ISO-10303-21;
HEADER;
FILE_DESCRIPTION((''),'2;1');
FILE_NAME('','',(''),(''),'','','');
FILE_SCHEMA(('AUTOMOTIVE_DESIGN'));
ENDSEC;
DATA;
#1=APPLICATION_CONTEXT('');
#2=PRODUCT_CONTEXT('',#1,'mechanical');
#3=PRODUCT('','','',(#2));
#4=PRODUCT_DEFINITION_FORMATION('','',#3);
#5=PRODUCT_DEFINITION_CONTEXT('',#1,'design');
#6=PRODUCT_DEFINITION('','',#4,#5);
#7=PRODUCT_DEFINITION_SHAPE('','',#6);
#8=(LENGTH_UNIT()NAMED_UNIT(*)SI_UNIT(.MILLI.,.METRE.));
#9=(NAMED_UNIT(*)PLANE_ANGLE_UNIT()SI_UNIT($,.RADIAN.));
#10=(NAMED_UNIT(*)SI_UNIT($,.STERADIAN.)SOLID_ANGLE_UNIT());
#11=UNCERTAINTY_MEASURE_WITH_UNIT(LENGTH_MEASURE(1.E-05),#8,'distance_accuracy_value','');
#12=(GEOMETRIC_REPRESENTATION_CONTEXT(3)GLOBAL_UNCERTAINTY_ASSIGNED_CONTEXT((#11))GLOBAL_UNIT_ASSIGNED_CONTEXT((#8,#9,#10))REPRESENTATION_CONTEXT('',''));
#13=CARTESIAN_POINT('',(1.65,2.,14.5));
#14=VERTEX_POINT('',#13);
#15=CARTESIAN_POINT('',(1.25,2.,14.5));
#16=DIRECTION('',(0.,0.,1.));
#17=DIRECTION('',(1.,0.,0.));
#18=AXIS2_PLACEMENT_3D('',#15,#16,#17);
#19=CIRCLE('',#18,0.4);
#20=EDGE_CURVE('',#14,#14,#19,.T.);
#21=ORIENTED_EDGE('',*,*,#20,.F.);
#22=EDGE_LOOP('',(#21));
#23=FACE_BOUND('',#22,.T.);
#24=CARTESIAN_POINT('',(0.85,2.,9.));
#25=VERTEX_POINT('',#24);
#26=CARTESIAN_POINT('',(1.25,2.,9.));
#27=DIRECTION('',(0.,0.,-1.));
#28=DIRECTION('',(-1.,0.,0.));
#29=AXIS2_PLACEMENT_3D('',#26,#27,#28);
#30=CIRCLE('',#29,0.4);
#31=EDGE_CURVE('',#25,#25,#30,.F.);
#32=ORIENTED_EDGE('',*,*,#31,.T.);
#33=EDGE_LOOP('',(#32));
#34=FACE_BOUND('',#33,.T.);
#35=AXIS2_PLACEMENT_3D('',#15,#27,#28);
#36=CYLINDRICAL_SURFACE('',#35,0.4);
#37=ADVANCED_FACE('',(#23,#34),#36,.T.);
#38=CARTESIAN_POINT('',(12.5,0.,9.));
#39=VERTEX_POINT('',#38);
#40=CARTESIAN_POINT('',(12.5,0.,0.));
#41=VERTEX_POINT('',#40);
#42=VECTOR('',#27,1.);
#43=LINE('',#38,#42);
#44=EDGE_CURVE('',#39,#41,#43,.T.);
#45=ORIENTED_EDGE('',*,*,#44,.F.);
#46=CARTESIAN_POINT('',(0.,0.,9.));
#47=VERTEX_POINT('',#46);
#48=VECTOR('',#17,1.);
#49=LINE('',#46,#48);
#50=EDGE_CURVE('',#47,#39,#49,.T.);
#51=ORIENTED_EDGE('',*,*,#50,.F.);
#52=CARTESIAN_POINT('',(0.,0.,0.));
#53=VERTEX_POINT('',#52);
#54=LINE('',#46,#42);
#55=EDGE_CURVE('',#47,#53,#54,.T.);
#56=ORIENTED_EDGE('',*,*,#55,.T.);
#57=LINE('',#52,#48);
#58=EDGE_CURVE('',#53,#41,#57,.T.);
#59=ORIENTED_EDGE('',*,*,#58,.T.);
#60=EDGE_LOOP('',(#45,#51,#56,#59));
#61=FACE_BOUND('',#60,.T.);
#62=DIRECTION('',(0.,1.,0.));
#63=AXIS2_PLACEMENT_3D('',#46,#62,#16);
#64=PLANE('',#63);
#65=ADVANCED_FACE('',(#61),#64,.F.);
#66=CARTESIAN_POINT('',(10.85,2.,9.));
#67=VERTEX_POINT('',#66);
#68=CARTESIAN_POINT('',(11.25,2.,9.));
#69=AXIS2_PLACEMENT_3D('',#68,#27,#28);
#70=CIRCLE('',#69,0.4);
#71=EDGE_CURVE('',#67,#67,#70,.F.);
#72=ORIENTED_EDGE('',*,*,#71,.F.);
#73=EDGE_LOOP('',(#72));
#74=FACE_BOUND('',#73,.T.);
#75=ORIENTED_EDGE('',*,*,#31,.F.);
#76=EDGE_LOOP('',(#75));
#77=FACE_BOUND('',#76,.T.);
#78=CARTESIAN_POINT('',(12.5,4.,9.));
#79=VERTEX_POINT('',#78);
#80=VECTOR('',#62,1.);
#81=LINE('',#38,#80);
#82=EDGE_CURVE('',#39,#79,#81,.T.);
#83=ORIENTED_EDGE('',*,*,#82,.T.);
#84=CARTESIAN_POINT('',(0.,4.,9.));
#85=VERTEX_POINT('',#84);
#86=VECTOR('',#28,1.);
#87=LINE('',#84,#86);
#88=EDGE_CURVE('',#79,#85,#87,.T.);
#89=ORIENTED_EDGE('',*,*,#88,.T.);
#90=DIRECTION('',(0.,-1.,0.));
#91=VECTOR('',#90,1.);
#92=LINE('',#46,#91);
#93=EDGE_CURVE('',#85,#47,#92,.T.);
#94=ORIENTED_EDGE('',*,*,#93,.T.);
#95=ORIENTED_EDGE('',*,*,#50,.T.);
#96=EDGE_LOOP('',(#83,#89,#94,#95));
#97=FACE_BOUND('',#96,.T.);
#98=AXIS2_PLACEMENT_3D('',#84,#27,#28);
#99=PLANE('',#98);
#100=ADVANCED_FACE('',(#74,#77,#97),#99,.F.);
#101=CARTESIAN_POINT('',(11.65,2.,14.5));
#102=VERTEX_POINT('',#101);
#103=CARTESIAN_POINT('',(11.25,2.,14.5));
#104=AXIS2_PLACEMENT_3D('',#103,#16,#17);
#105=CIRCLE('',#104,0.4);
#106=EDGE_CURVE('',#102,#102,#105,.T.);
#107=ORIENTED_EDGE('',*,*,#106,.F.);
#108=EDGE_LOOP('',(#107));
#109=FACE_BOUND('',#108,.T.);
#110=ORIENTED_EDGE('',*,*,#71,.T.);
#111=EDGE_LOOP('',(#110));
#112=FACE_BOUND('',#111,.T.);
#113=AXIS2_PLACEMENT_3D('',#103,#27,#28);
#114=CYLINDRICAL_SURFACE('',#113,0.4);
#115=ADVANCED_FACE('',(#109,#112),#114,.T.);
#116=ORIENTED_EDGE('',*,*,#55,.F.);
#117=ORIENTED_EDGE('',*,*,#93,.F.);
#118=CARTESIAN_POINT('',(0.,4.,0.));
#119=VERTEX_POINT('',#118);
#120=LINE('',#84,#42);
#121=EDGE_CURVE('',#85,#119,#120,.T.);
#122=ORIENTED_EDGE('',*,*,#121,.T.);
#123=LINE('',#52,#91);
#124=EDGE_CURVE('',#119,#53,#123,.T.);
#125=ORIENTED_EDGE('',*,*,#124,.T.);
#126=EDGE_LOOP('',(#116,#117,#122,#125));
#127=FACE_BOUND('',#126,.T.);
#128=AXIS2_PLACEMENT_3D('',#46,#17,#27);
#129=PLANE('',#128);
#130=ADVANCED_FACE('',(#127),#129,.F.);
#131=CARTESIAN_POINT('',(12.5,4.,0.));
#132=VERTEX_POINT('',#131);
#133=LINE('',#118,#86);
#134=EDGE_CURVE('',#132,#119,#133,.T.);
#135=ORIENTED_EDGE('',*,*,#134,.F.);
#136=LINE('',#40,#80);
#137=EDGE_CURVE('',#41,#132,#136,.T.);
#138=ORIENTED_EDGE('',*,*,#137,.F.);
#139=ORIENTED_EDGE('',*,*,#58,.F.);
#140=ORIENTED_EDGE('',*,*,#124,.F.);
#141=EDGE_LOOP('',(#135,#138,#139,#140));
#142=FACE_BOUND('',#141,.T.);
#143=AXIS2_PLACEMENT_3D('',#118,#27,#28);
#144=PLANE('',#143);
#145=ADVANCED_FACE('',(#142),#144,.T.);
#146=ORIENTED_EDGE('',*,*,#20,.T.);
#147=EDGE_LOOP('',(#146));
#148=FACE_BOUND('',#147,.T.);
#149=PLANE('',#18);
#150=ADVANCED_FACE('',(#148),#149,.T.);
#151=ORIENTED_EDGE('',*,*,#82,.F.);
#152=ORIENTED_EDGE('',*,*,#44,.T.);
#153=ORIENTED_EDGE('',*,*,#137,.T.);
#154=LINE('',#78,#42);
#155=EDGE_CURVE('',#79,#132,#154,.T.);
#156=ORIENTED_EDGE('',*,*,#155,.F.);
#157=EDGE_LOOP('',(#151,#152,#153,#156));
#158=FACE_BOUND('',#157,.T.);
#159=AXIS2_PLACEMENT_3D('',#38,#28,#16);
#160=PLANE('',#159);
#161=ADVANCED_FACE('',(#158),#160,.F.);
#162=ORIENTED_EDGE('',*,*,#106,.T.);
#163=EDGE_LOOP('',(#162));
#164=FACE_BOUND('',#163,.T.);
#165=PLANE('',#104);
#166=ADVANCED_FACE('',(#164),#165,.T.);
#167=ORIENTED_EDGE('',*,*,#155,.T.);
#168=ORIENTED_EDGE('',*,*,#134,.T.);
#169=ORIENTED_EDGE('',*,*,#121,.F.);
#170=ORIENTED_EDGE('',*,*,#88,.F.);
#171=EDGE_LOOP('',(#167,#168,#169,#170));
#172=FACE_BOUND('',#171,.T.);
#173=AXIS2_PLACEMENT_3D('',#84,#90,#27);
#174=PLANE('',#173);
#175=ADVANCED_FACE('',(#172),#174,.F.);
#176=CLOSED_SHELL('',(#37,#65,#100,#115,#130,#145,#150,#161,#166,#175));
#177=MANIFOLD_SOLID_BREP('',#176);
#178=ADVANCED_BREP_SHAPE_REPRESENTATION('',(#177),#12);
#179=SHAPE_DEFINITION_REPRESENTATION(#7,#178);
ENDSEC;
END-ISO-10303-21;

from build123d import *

# Parameters (mm, degrees)
SKETCH_1_W      = 12.5
SKETCH_1_H      = 4
EXTRUDE_1_DEPTH = 9
SKETCH_2_R      = 0.4
EXTRUDE_2_DEPTH = 5.5


with BuildPart() as part:
    # Эскиз1 → Бобышка-Вытянуть1 (new body)
    with BuildSketch(Plane.XY):
        with Locations((6.25, 2)):
            Rectangle(SKETCH_1_W, SKETCH_1_H)
    extrude(amount=EXTRUDE_1_DEPTH)

    # Эскиз2 → Бобышка-Вытянуть2 (add)
    with BuildSketch(Plane.XY.offset(9)):
        with Locations((1.25, 2)):
            Circle(SKETCH_2_R)
        with Locations((11.25, 2)):
            Circle(SKETCH_2_R)
    extrude(amount=EXTRUDE_2_DEPTH)


solid = part.part
